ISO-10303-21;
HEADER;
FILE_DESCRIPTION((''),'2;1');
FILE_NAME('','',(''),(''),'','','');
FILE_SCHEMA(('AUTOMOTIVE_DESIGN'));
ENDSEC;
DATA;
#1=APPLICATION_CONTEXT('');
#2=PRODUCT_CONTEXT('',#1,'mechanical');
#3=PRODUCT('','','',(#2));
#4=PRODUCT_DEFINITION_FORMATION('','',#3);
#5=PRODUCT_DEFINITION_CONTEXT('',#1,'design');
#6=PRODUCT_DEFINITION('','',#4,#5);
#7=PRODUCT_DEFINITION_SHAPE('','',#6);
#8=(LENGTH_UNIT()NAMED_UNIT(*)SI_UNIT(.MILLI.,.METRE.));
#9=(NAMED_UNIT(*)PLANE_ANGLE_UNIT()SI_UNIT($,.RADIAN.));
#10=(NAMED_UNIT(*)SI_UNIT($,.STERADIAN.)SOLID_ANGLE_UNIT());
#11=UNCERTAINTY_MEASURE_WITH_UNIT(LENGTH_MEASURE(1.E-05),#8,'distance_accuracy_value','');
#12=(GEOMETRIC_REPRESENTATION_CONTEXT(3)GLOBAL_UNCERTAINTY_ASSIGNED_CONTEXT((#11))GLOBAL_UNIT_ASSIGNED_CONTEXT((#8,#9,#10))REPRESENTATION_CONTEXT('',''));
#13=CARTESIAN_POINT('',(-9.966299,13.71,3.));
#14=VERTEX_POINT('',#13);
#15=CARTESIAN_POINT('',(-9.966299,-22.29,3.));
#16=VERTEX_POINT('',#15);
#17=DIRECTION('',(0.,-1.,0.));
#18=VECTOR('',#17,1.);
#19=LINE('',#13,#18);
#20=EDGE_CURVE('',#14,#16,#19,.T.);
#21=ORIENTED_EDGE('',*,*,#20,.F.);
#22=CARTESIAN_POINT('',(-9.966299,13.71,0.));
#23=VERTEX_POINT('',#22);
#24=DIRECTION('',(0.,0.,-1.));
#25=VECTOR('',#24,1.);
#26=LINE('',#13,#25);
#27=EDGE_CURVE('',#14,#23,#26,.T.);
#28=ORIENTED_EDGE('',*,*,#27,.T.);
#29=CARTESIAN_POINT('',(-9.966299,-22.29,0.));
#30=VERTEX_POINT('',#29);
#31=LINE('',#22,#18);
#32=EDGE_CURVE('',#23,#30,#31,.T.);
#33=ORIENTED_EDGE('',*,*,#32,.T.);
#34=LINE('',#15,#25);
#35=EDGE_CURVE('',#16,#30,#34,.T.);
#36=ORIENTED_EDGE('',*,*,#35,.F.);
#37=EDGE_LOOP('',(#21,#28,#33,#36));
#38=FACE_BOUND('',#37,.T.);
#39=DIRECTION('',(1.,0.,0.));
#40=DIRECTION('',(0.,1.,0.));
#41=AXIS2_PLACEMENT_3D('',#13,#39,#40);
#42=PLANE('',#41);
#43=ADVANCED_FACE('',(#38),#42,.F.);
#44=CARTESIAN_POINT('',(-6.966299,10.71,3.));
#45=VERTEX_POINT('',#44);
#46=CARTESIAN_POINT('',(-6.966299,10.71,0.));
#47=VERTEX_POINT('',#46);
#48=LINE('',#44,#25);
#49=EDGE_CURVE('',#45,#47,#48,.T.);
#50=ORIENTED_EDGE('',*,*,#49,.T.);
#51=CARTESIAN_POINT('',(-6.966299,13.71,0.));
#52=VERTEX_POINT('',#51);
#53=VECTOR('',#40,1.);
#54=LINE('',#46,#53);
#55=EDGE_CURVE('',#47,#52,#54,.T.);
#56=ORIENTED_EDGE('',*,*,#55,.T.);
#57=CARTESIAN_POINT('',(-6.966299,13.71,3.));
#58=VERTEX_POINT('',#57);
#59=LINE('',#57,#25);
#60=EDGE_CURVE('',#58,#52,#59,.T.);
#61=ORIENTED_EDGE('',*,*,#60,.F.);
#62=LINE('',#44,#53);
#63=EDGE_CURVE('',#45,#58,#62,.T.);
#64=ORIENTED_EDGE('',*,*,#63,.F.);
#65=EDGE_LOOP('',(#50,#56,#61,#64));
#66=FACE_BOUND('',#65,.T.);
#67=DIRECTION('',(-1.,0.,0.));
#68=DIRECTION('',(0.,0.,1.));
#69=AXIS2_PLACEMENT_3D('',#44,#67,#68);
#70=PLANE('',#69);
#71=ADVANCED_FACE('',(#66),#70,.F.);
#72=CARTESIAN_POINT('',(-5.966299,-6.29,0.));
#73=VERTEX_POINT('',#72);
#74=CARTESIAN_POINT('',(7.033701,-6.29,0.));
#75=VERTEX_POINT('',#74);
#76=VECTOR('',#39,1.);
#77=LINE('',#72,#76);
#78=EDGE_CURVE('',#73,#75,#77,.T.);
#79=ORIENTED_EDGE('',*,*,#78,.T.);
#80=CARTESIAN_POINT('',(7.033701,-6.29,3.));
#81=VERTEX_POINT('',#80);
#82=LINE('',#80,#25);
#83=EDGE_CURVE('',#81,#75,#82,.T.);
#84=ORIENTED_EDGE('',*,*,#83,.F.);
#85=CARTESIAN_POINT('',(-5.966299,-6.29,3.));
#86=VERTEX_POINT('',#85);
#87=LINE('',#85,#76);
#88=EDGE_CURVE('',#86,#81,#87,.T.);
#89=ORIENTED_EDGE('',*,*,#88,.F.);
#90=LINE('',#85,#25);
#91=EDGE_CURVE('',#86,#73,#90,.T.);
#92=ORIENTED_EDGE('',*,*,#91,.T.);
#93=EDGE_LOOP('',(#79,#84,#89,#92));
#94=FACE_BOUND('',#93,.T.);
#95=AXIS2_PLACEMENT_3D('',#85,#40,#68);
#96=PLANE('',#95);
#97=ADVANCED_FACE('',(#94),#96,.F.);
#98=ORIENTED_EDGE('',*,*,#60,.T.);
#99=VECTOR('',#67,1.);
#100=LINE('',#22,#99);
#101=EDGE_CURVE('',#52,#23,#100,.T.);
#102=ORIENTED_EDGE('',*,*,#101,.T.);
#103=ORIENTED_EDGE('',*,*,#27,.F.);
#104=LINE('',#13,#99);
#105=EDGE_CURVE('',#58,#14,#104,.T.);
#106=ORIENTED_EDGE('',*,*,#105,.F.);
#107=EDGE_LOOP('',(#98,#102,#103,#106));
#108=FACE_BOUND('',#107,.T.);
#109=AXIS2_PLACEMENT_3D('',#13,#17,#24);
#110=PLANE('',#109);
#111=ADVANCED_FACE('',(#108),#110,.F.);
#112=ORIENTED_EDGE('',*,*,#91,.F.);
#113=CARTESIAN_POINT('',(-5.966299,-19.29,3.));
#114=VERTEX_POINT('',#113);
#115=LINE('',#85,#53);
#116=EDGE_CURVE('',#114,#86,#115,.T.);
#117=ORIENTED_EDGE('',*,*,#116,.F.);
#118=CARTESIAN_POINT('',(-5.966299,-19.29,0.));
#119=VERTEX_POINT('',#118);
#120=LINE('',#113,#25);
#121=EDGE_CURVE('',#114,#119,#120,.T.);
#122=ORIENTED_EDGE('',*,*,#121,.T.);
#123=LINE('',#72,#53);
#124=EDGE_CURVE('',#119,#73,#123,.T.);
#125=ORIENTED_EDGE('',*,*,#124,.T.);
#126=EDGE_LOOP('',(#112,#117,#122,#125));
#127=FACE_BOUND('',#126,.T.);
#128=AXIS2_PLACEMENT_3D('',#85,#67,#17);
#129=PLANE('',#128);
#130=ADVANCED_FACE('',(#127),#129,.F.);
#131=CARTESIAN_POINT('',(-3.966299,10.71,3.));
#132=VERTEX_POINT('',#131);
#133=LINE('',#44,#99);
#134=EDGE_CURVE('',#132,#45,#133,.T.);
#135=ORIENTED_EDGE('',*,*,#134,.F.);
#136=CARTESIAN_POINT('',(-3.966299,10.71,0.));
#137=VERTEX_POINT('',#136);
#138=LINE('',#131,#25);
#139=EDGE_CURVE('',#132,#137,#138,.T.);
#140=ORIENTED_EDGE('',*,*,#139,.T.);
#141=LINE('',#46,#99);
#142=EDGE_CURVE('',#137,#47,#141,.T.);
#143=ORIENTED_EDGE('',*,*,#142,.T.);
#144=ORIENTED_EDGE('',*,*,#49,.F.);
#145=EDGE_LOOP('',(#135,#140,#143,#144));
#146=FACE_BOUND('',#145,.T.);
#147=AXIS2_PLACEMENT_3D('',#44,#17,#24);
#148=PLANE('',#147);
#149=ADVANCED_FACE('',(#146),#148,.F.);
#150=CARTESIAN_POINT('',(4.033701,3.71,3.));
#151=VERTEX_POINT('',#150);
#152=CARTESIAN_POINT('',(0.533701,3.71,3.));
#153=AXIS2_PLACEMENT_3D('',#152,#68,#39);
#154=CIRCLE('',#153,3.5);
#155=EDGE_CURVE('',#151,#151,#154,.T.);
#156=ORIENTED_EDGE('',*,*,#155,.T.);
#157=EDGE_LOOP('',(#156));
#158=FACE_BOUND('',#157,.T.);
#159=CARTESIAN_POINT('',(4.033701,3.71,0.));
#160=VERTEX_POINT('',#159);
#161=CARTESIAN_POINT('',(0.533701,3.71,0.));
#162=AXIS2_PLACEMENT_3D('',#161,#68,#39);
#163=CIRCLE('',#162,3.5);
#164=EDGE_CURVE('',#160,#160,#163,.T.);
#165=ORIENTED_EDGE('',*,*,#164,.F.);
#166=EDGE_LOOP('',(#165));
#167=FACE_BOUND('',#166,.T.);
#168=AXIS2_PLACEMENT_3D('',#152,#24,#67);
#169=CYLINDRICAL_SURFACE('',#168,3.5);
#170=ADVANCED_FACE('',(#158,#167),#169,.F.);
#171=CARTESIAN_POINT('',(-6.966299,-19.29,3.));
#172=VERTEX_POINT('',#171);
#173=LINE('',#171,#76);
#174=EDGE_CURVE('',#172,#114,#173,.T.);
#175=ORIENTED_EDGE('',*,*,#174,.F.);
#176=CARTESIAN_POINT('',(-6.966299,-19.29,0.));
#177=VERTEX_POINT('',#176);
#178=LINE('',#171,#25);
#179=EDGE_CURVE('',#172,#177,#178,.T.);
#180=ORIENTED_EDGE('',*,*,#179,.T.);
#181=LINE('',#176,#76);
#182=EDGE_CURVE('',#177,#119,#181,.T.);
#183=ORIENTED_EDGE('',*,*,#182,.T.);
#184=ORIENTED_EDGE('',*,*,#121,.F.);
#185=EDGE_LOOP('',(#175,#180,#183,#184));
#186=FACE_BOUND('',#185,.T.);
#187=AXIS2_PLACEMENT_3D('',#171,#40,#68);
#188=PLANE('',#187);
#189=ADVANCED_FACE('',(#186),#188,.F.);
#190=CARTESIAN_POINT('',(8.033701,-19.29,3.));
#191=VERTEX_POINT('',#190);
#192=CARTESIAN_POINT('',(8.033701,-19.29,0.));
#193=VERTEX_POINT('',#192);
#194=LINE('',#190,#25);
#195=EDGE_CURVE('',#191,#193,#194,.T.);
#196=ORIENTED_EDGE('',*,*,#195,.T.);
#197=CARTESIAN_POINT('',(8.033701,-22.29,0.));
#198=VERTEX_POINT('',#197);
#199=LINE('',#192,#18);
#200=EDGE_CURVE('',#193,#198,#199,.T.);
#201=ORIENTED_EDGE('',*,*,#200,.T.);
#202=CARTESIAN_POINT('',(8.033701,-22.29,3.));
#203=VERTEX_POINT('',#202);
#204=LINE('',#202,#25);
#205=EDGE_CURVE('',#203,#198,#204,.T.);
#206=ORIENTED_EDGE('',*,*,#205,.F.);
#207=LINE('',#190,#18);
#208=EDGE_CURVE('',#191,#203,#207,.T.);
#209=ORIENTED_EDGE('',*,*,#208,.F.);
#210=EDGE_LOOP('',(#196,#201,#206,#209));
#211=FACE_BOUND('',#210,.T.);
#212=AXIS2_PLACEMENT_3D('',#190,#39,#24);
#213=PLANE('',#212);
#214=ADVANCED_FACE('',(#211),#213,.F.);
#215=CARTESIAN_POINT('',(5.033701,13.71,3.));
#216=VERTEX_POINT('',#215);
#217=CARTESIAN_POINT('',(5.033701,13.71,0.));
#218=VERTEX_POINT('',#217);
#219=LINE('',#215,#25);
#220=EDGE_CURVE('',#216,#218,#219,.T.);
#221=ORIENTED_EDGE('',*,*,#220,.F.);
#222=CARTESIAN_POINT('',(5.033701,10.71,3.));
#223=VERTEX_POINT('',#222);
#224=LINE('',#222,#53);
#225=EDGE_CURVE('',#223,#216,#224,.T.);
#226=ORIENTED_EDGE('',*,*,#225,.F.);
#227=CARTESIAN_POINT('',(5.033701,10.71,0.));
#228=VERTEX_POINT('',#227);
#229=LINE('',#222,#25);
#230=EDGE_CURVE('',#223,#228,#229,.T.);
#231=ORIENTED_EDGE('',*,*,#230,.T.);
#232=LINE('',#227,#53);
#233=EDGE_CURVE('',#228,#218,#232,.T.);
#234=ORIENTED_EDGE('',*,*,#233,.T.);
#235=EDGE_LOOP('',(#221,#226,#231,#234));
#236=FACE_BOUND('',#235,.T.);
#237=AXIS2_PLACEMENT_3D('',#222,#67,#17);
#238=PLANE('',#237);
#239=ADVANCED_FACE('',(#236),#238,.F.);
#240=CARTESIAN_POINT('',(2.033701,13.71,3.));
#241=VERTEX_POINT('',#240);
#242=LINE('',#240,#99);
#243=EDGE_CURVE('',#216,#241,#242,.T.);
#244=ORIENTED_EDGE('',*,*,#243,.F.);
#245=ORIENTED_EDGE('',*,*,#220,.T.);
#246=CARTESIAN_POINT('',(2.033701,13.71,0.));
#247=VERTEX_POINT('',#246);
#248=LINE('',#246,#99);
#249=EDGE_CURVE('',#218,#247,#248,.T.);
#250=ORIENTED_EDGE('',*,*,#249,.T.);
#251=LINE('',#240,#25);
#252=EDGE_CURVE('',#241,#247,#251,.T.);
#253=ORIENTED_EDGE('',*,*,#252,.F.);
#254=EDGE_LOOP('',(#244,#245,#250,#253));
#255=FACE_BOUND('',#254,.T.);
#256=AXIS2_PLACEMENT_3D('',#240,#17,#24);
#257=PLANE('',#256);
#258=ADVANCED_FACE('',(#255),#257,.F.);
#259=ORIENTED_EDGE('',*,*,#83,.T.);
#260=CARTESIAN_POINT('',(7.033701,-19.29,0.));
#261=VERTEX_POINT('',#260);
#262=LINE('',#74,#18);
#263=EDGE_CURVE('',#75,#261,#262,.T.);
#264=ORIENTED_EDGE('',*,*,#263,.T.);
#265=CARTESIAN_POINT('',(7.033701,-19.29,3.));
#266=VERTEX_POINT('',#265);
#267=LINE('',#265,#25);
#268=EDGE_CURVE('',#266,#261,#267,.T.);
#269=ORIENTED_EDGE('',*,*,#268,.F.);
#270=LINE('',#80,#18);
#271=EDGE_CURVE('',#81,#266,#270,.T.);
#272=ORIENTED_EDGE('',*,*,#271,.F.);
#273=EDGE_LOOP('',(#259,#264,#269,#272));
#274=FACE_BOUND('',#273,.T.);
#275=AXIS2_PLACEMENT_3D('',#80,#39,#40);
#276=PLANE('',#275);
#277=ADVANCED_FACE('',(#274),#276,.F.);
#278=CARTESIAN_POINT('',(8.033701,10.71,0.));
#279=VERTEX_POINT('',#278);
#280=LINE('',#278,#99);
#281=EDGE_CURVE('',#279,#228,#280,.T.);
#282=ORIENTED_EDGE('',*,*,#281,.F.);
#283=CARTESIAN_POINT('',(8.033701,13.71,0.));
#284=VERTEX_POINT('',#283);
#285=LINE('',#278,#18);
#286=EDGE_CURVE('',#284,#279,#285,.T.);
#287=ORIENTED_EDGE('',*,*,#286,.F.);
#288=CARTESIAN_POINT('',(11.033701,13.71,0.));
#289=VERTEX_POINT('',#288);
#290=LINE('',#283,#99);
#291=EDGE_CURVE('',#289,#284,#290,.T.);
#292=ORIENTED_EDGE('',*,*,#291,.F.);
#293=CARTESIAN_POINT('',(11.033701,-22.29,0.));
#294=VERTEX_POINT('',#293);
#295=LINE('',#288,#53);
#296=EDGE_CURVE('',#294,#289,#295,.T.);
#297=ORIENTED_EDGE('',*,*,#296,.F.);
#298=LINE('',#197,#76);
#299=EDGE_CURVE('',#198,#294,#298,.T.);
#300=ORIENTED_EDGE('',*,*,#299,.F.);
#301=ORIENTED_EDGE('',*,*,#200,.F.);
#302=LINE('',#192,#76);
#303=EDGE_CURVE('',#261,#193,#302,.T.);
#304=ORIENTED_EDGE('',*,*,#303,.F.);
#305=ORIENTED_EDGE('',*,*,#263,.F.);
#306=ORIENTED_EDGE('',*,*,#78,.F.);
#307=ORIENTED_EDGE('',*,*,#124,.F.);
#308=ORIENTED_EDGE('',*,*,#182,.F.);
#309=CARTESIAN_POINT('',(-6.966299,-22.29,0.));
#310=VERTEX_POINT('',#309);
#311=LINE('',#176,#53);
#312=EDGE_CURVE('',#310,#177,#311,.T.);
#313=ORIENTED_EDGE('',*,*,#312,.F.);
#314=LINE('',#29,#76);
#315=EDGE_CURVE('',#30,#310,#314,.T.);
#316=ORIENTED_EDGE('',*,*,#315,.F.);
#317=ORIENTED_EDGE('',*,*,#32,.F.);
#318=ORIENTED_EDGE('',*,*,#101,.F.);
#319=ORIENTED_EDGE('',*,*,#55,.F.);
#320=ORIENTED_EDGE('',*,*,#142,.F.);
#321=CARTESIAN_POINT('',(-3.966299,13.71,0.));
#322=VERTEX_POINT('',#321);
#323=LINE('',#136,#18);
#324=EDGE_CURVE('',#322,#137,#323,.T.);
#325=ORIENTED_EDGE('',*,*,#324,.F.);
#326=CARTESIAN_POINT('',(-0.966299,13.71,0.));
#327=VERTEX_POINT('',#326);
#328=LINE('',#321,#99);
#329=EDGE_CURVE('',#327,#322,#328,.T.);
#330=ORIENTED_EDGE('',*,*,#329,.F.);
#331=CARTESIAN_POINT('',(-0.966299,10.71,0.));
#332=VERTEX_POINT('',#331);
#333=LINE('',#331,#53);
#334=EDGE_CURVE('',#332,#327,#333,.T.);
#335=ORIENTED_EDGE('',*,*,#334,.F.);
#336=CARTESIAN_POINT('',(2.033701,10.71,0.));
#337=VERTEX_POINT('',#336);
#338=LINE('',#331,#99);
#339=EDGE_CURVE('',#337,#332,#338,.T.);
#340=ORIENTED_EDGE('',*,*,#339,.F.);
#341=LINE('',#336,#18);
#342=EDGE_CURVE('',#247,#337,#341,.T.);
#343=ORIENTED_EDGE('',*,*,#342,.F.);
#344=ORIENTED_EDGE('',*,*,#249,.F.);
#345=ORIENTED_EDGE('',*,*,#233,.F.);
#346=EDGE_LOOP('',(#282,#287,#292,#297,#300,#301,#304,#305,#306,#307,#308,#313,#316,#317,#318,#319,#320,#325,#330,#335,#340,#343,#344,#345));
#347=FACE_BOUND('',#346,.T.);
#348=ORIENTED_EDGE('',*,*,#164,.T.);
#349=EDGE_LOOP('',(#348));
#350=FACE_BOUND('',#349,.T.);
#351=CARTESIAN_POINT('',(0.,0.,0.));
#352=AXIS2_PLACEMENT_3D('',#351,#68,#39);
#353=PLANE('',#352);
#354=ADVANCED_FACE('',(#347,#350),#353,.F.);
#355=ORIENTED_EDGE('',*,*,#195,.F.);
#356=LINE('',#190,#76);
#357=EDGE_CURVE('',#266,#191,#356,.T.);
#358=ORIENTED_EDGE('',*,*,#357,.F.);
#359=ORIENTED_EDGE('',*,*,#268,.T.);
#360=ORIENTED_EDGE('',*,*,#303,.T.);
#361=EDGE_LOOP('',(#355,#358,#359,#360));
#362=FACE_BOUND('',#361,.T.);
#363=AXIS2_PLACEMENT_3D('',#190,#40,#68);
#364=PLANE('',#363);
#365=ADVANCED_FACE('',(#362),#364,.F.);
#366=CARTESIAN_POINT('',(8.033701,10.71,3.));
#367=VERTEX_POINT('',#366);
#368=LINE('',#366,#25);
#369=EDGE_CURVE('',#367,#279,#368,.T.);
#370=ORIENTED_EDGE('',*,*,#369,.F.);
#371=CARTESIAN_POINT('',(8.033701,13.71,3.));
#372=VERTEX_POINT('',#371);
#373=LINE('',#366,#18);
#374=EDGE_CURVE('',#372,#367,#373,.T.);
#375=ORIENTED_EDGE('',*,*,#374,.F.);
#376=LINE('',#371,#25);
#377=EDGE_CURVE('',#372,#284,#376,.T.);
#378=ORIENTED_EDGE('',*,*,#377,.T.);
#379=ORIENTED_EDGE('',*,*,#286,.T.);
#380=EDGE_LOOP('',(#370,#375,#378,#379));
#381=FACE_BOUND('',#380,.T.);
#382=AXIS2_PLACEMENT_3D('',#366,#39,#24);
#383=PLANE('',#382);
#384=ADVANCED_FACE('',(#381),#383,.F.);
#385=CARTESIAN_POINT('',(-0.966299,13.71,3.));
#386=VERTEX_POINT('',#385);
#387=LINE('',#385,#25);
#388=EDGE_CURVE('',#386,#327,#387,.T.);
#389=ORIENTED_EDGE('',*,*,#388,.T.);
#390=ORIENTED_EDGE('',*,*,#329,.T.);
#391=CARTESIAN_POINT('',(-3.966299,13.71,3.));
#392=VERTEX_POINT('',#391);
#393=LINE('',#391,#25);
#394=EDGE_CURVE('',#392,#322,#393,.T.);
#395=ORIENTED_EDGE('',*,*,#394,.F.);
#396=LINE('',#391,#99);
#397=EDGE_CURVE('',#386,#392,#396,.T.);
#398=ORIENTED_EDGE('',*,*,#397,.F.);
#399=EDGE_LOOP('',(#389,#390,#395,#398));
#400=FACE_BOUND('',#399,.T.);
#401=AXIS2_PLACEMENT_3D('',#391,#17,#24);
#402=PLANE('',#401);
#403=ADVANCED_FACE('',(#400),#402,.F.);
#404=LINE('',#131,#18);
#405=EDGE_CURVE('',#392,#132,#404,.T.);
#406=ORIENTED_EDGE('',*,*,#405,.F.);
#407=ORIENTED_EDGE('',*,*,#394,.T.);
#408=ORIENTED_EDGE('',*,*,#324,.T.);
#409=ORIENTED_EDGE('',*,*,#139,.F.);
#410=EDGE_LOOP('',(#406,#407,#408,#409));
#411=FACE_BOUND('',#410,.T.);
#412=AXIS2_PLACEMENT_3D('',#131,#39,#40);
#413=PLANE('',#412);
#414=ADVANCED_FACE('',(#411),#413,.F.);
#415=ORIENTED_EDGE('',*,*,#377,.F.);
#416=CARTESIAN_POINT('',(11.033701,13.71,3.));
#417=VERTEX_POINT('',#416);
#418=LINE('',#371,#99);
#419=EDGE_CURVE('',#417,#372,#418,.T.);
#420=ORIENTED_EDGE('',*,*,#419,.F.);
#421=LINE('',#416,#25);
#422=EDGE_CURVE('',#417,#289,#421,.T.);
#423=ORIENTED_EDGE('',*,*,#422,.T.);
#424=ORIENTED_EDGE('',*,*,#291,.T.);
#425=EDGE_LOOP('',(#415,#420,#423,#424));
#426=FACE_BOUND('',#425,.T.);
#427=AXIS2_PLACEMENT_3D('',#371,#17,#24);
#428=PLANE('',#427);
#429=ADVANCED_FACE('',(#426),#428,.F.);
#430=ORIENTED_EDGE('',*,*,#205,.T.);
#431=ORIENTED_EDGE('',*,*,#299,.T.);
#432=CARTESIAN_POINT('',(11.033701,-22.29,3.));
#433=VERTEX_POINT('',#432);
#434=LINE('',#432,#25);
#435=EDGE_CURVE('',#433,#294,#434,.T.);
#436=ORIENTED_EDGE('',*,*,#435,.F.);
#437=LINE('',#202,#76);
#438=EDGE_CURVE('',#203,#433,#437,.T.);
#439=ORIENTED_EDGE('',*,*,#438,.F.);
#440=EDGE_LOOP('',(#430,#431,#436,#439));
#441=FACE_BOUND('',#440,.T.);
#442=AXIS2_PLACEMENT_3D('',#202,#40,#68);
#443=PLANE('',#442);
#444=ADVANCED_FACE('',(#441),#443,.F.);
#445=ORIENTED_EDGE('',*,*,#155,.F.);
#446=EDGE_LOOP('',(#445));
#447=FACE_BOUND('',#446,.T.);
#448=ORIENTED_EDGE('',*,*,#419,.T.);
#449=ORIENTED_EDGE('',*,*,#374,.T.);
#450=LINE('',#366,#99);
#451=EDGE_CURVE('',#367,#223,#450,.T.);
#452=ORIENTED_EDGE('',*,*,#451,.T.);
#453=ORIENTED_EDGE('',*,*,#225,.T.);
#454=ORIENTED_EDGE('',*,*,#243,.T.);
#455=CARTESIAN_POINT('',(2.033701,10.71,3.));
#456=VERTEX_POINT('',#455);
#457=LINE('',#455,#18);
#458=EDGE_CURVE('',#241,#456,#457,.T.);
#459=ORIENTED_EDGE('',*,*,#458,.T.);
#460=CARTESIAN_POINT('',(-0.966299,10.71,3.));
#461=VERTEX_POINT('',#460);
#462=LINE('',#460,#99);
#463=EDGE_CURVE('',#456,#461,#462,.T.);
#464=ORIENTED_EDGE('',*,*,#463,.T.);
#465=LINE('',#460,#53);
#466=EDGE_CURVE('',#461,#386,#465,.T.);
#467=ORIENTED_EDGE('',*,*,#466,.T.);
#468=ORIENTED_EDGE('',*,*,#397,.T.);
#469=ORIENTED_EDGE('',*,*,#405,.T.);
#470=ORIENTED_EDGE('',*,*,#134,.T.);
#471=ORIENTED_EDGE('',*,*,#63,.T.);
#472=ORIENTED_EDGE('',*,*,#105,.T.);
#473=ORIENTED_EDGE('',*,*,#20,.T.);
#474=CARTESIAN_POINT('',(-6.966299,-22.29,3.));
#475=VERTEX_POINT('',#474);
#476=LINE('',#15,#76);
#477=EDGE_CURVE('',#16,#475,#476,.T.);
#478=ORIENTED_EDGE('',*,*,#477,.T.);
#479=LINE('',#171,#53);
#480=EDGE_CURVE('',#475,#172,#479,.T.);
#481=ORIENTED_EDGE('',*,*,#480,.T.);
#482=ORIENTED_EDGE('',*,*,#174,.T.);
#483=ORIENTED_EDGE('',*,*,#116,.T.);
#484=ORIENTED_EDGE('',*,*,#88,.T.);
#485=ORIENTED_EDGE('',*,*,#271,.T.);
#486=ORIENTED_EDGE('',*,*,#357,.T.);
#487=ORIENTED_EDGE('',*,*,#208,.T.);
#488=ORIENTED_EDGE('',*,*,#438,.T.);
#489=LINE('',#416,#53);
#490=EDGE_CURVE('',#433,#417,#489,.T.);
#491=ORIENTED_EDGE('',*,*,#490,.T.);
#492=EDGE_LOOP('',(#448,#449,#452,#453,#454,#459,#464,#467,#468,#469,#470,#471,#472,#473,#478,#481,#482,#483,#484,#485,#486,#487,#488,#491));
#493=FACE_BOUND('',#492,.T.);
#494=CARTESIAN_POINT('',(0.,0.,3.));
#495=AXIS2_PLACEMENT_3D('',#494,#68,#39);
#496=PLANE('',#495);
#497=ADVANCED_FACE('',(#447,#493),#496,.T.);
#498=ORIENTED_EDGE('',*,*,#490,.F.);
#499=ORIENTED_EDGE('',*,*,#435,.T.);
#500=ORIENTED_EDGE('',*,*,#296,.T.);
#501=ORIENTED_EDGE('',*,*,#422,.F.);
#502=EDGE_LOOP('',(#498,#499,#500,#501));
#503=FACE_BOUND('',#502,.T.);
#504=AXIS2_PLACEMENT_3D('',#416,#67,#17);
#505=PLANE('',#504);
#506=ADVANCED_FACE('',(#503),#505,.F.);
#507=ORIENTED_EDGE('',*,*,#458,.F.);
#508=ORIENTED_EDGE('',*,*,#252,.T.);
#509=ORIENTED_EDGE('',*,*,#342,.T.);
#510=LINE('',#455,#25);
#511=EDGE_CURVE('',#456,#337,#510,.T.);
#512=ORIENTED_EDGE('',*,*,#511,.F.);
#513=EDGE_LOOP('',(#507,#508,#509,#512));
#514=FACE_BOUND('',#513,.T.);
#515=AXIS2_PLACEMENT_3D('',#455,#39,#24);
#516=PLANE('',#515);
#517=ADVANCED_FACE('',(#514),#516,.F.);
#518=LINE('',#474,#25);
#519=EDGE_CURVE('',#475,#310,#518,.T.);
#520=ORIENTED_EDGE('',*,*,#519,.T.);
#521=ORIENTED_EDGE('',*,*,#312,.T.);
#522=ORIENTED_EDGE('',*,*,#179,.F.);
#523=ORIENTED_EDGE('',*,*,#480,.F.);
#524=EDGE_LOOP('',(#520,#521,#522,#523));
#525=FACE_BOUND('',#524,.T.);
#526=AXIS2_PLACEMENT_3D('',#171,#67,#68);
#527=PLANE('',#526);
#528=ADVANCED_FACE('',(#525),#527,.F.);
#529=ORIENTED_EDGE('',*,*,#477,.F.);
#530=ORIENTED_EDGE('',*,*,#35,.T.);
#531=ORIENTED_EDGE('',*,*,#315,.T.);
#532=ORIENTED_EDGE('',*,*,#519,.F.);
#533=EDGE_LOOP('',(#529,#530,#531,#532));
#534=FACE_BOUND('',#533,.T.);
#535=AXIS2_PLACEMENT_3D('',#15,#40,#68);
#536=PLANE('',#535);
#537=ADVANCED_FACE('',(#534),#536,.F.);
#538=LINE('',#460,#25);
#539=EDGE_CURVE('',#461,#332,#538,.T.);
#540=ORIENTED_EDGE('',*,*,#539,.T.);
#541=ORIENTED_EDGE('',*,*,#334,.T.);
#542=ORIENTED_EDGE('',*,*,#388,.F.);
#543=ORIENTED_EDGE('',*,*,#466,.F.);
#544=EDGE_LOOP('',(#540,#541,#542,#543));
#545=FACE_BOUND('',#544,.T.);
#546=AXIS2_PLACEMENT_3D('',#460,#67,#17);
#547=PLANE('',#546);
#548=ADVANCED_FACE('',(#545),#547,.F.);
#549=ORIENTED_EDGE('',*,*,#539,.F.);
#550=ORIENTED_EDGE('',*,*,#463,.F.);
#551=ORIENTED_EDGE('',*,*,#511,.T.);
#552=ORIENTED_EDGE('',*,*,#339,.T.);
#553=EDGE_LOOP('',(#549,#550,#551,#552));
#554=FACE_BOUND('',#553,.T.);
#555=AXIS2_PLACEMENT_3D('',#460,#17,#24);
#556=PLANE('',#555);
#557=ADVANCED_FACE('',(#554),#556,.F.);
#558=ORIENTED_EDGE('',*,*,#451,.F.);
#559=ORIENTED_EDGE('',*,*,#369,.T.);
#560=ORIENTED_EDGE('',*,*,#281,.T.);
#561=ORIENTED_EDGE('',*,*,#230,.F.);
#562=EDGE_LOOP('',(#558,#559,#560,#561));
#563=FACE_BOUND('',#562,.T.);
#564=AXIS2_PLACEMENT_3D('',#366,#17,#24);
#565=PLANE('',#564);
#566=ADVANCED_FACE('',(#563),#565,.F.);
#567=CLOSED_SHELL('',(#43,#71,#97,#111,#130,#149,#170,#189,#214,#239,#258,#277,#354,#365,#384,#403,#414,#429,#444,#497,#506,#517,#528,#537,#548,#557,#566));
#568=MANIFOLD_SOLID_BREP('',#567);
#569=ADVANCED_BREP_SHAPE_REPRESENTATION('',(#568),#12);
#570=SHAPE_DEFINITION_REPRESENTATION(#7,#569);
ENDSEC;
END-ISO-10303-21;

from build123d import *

# Parameters (mm, degrees)
SKETCH2_R           = 3.5
BOSS_EXTRUDE1_DEPTH = 3


with BuildPart() as part:
    # Sketch2 → Boss-Extrude1 (new body)
    with BuildSketch(Plane.XY):
        Polygon((-9.966299499, 13.71), (-6.966299499, 13.71), (-6.966299499, 10.71), (-3.966299499, 10.71), (-3.966299499, 13.71), (-0.966299499, 13.71), (-0.966299499, 10.71), (2.033700501, 10.71), (2.033700501, 13.71), (5.033700501, 13.71), (5.033700501, 10.71), (8.033700501, 10.71), (8.033700501, 13.71), (11.033700501, 13.71), (11.033700501, -22.29), (8.033700501, -22.29), (8.033700501, -19.29), (7.033700501, -19.29), (7.033700501, -6.29), (-5.966299499, -6.29), (-5.966299499, -19.29), (-6.966299499, -19.29), (-6.966299499, -22.29), (-9.966299499, -22.29), align=None)
        with Locations((0.533700501, 3.71)):
            Circle(SKETCH2_R, mode=Mode.SUBTRACT)
    extrude(amount=BOSS_EXTRUDE1_DEPTH)


solid = part.part
